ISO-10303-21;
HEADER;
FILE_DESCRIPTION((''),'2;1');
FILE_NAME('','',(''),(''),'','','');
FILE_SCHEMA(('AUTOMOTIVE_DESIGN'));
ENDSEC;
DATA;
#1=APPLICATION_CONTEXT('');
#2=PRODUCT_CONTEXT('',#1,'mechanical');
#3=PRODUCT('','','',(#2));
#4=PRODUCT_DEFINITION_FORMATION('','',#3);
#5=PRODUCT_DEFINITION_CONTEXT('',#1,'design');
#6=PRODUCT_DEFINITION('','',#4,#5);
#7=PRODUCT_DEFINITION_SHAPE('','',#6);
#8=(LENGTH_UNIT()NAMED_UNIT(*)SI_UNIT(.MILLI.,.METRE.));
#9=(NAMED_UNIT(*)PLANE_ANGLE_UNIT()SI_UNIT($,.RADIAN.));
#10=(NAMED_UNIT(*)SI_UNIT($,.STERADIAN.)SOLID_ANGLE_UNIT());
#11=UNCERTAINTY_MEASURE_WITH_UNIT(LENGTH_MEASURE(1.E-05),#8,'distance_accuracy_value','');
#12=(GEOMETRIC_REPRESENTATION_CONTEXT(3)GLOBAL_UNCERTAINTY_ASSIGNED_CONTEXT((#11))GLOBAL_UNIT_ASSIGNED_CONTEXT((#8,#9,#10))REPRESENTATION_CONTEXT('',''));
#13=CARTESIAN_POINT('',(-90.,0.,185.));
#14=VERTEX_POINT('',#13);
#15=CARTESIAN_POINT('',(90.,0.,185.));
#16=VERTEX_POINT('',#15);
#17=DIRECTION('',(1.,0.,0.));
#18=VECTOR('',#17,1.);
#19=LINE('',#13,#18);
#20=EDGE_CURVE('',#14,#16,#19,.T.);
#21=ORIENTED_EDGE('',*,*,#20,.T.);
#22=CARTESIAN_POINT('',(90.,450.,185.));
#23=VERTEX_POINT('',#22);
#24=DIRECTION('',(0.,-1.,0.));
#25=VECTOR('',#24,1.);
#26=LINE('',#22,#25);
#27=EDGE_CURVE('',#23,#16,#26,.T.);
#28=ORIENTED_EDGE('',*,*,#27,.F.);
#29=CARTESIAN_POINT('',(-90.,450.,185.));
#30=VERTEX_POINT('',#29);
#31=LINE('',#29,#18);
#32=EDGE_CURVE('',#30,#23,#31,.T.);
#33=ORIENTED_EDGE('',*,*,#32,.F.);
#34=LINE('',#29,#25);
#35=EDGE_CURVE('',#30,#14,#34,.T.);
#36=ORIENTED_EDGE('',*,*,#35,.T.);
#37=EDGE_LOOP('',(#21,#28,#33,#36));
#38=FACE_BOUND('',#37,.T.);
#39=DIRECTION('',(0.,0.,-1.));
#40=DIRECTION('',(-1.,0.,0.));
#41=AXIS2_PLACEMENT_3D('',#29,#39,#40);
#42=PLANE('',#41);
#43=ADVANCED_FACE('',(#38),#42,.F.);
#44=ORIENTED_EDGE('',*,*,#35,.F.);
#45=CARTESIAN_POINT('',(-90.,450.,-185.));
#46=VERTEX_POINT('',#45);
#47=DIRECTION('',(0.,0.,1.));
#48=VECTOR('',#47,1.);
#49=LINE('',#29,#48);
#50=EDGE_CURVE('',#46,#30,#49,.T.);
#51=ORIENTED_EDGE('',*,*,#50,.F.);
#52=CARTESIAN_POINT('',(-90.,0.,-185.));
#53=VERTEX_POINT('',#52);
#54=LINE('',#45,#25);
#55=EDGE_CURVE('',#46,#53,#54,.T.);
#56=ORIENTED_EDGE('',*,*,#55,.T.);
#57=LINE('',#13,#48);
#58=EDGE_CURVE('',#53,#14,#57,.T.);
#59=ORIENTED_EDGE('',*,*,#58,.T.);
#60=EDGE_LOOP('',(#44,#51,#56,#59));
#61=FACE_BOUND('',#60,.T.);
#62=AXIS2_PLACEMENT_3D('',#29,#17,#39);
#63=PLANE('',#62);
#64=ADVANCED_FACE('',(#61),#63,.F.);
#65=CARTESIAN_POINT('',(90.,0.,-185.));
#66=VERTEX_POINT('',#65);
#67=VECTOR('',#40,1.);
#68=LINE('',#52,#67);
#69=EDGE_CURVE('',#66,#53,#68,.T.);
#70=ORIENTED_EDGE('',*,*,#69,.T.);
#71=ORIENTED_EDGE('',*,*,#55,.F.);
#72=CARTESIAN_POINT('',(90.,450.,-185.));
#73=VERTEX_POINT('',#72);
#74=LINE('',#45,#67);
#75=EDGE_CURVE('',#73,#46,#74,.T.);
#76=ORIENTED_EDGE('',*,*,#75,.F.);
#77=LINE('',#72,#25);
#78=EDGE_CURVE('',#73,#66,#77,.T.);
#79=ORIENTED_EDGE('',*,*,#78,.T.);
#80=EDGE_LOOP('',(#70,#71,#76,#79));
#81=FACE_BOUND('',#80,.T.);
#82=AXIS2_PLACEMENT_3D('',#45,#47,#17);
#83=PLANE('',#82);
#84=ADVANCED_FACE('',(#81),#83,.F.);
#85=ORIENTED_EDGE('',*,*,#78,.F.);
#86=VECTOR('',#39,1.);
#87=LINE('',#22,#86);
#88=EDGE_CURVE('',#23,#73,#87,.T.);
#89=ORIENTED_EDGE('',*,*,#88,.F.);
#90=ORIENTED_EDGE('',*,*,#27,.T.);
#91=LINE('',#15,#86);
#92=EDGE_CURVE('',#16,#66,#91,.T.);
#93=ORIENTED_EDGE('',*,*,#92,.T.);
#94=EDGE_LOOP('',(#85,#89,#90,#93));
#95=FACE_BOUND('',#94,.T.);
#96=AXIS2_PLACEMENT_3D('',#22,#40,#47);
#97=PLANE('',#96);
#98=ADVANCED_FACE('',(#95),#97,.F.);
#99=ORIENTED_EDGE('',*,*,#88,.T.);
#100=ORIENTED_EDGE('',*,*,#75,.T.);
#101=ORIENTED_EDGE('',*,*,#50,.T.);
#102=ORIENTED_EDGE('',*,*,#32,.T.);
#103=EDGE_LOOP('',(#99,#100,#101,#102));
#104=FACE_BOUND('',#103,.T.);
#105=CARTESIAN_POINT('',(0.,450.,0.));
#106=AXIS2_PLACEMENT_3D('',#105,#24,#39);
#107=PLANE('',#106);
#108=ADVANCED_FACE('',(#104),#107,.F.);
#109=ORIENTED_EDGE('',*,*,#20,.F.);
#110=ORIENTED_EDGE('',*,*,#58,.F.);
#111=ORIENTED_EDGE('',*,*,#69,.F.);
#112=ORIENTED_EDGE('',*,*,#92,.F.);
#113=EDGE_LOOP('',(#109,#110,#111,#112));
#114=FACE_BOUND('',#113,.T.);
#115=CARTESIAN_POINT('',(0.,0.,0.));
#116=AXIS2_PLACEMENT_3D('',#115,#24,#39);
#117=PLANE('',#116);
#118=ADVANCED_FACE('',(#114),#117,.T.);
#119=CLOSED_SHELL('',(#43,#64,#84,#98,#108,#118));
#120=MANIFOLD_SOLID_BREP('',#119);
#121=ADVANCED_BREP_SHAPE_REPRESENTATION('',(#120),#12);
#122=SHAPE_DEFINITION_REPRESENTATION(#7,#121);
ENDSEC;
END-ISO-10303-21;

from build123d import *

# Parameters (mm, degrees)
SKETCH2_W           = 180
SKETCH2_H           = 370
BOSS_EXTRUDE1_DEPTH = 450


with BuildPart() as part:
    # Sketch2 → Boss-Extrude1 (new body)
    with BuildSketch(Plane(origin=(0, 0, 0), x_dir=(1, 0, 0), z_dir=(0, 1, 0))):
        Rectangle(SKETCH2_W, SKETCH2_H)
    extrude(amount=BOSS_EXTRUDE1_DEPTH)


solid = part.part
